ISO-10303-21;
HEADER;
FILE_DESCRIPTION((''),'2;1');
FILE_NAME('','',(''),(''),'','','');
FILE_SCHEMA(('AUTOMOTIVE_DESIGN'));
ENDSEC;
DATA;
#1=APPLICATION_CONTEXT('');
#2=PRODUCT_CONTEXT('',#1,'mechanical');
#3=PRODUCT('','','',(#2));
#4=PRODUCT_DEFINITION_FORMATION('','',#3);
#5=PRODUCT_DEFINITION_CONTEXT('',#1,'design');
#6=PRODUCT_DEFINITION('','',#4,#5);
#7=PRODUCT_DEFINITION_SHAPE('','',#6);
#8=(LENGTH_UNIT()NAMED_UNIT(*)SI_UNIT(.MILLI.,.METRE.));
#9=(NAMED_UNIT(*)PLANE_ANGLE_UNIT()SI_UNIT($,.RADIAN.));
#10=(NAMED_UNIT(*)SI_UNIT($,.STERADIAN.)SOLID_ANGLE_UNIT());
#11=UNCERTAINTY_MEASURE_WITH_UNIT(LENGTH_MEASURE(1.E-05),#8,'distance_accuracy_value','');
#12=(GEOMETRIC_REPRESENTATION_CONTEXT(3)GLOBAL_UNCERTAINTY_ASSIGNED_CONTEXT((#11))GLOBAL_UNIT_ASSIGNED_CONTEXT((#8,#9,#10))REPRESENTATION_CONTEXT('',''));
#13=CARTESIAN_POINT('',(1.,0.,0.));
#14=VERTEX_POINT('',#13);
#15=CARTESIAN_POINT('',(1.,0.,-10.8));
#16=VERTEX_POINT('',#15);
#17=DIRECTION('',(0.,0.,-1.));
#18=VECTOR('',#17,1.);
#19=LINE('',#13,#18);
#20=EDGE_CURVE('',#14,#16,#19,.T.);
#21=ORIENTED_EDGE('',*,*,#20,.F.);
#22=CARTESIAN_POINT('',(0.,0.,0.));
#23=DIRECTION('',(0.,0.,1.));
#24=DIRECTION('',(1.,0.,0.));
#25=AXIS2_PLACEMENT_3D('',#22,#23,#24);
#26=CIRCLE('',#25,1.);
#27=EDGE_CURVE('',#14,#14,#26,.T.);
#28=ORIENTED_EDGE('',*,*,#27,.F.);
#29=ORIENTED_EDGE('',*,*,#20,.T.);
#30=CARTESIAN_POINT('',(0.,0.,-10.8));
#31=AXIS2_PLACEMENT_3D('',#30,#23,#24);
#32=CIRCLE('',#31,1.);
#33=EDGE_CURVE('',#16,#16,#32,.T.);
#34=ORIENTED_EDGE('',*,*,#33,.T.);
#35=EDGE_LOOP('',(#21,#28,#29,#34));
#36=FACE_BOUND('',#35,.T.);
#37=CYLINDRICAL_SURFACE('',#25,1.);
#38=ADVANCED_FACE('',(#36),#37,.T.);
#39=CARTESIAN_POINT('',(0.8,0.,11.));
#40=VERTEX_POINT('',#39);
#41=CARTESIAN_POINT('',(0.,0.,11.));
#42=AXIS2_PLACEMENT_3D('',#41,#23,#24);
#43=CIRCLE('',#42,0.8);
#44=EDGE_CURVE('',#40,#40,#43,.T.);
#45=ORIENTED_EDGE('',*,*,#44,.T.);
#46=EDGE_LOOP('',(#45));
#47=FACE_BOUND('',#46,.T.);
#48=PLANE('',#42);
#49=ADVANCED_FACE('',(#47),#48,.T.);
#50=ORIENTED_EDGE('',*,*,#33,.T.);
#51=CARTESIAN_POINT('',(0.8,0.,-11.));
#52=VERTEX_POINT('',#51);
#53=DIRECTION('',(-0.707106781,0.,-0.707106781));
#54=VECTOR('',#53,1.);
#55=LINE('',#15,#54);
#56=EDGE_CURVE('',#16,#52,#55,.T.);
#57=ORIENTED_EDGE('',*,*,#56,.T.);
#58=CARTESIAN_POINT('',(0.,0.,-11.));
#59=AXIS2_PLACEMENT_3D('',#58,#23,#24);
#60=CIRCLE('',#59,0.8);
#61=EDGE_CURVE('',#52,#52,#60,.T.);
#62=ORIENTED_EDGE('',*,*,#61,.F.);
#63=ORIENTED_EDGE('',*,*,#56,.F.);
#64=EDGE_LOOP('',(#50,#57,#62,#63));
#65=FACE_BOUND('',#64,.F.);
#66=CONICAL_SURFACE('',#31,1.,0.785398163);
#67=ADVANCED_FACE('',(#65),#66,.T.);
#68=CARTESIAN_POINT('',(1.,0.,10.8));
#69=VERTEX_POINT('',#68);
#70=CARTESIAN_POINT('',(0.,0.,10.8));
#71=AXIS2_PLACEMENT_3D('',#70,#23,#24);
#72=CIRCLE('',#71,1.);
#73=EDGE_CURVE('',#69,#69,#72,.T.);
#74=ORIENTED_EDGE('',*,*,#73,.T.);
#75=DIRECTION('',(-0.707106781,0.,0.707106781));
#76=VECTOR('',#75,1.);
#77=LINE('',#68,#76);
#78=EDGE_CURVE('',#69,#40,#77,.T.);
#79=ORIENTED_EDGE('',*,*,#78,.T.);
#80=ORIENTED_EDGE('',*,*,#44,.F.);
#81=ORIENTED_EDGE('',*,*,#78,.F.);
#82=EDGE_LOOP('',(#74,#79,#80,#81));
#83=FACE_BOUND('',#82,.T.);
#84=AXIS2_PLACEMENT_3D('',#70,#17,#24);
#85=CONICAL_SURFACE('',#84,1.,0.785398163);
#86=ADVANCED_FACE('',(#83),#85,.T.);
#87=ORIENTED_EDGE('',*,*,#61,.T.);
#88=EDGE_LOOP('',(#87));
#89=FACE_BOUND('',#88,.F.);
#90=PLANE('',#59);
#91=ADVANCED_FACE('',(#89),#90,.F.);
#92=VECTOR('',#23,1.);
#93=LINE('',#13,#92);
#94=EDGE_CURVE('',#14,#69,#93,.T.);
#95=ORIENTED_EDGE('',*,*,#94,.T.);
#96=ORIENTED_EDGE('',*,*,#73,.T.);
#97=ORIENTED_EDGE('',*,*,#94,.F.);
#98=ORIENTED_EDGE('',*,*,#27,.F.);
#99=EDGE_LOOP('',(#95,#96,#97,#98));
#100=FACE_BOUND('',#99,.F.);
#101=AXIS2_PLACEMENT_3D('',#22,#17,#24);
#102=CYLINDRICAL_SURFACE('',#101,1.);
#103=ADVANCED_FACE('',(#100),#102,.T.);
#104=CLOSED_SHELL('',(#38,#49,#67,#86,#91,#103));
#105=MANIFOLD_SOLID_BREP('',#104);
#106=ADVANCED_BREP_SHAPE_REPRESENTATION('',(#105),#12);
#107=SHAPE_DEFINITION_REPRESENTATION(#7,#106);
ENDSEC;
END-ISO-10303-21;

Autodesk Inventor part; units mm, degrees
ref_plane "YZ Plane" through (0, 0, 0) normal (1, 0, 0) x (0, 1, 0)
ref_plane "XZ Plane" through (0, 0, 0) normal (0, 1, 0) x (-1, 0, 0)
ref_plane "XY Plane" through (0, 0, 0) normal (0, 0, 1) x (1, 0, 0)
sketch "Sketch1" plane through (0, 0, 0) normal (0, 0, 1) x (1, 0, 0)
  circle A0 centre (0, 0) radius 1
  dimension "d0" = 2
extrude "Extrusion1" add sketch "Sketch1" along normal mid plane 22
chamfer "Chamfer1" distance 0.2 angle 45 2 edges at (-1, 0, 11) (-1, 0, -11)
properties part number "2x22 pin"
